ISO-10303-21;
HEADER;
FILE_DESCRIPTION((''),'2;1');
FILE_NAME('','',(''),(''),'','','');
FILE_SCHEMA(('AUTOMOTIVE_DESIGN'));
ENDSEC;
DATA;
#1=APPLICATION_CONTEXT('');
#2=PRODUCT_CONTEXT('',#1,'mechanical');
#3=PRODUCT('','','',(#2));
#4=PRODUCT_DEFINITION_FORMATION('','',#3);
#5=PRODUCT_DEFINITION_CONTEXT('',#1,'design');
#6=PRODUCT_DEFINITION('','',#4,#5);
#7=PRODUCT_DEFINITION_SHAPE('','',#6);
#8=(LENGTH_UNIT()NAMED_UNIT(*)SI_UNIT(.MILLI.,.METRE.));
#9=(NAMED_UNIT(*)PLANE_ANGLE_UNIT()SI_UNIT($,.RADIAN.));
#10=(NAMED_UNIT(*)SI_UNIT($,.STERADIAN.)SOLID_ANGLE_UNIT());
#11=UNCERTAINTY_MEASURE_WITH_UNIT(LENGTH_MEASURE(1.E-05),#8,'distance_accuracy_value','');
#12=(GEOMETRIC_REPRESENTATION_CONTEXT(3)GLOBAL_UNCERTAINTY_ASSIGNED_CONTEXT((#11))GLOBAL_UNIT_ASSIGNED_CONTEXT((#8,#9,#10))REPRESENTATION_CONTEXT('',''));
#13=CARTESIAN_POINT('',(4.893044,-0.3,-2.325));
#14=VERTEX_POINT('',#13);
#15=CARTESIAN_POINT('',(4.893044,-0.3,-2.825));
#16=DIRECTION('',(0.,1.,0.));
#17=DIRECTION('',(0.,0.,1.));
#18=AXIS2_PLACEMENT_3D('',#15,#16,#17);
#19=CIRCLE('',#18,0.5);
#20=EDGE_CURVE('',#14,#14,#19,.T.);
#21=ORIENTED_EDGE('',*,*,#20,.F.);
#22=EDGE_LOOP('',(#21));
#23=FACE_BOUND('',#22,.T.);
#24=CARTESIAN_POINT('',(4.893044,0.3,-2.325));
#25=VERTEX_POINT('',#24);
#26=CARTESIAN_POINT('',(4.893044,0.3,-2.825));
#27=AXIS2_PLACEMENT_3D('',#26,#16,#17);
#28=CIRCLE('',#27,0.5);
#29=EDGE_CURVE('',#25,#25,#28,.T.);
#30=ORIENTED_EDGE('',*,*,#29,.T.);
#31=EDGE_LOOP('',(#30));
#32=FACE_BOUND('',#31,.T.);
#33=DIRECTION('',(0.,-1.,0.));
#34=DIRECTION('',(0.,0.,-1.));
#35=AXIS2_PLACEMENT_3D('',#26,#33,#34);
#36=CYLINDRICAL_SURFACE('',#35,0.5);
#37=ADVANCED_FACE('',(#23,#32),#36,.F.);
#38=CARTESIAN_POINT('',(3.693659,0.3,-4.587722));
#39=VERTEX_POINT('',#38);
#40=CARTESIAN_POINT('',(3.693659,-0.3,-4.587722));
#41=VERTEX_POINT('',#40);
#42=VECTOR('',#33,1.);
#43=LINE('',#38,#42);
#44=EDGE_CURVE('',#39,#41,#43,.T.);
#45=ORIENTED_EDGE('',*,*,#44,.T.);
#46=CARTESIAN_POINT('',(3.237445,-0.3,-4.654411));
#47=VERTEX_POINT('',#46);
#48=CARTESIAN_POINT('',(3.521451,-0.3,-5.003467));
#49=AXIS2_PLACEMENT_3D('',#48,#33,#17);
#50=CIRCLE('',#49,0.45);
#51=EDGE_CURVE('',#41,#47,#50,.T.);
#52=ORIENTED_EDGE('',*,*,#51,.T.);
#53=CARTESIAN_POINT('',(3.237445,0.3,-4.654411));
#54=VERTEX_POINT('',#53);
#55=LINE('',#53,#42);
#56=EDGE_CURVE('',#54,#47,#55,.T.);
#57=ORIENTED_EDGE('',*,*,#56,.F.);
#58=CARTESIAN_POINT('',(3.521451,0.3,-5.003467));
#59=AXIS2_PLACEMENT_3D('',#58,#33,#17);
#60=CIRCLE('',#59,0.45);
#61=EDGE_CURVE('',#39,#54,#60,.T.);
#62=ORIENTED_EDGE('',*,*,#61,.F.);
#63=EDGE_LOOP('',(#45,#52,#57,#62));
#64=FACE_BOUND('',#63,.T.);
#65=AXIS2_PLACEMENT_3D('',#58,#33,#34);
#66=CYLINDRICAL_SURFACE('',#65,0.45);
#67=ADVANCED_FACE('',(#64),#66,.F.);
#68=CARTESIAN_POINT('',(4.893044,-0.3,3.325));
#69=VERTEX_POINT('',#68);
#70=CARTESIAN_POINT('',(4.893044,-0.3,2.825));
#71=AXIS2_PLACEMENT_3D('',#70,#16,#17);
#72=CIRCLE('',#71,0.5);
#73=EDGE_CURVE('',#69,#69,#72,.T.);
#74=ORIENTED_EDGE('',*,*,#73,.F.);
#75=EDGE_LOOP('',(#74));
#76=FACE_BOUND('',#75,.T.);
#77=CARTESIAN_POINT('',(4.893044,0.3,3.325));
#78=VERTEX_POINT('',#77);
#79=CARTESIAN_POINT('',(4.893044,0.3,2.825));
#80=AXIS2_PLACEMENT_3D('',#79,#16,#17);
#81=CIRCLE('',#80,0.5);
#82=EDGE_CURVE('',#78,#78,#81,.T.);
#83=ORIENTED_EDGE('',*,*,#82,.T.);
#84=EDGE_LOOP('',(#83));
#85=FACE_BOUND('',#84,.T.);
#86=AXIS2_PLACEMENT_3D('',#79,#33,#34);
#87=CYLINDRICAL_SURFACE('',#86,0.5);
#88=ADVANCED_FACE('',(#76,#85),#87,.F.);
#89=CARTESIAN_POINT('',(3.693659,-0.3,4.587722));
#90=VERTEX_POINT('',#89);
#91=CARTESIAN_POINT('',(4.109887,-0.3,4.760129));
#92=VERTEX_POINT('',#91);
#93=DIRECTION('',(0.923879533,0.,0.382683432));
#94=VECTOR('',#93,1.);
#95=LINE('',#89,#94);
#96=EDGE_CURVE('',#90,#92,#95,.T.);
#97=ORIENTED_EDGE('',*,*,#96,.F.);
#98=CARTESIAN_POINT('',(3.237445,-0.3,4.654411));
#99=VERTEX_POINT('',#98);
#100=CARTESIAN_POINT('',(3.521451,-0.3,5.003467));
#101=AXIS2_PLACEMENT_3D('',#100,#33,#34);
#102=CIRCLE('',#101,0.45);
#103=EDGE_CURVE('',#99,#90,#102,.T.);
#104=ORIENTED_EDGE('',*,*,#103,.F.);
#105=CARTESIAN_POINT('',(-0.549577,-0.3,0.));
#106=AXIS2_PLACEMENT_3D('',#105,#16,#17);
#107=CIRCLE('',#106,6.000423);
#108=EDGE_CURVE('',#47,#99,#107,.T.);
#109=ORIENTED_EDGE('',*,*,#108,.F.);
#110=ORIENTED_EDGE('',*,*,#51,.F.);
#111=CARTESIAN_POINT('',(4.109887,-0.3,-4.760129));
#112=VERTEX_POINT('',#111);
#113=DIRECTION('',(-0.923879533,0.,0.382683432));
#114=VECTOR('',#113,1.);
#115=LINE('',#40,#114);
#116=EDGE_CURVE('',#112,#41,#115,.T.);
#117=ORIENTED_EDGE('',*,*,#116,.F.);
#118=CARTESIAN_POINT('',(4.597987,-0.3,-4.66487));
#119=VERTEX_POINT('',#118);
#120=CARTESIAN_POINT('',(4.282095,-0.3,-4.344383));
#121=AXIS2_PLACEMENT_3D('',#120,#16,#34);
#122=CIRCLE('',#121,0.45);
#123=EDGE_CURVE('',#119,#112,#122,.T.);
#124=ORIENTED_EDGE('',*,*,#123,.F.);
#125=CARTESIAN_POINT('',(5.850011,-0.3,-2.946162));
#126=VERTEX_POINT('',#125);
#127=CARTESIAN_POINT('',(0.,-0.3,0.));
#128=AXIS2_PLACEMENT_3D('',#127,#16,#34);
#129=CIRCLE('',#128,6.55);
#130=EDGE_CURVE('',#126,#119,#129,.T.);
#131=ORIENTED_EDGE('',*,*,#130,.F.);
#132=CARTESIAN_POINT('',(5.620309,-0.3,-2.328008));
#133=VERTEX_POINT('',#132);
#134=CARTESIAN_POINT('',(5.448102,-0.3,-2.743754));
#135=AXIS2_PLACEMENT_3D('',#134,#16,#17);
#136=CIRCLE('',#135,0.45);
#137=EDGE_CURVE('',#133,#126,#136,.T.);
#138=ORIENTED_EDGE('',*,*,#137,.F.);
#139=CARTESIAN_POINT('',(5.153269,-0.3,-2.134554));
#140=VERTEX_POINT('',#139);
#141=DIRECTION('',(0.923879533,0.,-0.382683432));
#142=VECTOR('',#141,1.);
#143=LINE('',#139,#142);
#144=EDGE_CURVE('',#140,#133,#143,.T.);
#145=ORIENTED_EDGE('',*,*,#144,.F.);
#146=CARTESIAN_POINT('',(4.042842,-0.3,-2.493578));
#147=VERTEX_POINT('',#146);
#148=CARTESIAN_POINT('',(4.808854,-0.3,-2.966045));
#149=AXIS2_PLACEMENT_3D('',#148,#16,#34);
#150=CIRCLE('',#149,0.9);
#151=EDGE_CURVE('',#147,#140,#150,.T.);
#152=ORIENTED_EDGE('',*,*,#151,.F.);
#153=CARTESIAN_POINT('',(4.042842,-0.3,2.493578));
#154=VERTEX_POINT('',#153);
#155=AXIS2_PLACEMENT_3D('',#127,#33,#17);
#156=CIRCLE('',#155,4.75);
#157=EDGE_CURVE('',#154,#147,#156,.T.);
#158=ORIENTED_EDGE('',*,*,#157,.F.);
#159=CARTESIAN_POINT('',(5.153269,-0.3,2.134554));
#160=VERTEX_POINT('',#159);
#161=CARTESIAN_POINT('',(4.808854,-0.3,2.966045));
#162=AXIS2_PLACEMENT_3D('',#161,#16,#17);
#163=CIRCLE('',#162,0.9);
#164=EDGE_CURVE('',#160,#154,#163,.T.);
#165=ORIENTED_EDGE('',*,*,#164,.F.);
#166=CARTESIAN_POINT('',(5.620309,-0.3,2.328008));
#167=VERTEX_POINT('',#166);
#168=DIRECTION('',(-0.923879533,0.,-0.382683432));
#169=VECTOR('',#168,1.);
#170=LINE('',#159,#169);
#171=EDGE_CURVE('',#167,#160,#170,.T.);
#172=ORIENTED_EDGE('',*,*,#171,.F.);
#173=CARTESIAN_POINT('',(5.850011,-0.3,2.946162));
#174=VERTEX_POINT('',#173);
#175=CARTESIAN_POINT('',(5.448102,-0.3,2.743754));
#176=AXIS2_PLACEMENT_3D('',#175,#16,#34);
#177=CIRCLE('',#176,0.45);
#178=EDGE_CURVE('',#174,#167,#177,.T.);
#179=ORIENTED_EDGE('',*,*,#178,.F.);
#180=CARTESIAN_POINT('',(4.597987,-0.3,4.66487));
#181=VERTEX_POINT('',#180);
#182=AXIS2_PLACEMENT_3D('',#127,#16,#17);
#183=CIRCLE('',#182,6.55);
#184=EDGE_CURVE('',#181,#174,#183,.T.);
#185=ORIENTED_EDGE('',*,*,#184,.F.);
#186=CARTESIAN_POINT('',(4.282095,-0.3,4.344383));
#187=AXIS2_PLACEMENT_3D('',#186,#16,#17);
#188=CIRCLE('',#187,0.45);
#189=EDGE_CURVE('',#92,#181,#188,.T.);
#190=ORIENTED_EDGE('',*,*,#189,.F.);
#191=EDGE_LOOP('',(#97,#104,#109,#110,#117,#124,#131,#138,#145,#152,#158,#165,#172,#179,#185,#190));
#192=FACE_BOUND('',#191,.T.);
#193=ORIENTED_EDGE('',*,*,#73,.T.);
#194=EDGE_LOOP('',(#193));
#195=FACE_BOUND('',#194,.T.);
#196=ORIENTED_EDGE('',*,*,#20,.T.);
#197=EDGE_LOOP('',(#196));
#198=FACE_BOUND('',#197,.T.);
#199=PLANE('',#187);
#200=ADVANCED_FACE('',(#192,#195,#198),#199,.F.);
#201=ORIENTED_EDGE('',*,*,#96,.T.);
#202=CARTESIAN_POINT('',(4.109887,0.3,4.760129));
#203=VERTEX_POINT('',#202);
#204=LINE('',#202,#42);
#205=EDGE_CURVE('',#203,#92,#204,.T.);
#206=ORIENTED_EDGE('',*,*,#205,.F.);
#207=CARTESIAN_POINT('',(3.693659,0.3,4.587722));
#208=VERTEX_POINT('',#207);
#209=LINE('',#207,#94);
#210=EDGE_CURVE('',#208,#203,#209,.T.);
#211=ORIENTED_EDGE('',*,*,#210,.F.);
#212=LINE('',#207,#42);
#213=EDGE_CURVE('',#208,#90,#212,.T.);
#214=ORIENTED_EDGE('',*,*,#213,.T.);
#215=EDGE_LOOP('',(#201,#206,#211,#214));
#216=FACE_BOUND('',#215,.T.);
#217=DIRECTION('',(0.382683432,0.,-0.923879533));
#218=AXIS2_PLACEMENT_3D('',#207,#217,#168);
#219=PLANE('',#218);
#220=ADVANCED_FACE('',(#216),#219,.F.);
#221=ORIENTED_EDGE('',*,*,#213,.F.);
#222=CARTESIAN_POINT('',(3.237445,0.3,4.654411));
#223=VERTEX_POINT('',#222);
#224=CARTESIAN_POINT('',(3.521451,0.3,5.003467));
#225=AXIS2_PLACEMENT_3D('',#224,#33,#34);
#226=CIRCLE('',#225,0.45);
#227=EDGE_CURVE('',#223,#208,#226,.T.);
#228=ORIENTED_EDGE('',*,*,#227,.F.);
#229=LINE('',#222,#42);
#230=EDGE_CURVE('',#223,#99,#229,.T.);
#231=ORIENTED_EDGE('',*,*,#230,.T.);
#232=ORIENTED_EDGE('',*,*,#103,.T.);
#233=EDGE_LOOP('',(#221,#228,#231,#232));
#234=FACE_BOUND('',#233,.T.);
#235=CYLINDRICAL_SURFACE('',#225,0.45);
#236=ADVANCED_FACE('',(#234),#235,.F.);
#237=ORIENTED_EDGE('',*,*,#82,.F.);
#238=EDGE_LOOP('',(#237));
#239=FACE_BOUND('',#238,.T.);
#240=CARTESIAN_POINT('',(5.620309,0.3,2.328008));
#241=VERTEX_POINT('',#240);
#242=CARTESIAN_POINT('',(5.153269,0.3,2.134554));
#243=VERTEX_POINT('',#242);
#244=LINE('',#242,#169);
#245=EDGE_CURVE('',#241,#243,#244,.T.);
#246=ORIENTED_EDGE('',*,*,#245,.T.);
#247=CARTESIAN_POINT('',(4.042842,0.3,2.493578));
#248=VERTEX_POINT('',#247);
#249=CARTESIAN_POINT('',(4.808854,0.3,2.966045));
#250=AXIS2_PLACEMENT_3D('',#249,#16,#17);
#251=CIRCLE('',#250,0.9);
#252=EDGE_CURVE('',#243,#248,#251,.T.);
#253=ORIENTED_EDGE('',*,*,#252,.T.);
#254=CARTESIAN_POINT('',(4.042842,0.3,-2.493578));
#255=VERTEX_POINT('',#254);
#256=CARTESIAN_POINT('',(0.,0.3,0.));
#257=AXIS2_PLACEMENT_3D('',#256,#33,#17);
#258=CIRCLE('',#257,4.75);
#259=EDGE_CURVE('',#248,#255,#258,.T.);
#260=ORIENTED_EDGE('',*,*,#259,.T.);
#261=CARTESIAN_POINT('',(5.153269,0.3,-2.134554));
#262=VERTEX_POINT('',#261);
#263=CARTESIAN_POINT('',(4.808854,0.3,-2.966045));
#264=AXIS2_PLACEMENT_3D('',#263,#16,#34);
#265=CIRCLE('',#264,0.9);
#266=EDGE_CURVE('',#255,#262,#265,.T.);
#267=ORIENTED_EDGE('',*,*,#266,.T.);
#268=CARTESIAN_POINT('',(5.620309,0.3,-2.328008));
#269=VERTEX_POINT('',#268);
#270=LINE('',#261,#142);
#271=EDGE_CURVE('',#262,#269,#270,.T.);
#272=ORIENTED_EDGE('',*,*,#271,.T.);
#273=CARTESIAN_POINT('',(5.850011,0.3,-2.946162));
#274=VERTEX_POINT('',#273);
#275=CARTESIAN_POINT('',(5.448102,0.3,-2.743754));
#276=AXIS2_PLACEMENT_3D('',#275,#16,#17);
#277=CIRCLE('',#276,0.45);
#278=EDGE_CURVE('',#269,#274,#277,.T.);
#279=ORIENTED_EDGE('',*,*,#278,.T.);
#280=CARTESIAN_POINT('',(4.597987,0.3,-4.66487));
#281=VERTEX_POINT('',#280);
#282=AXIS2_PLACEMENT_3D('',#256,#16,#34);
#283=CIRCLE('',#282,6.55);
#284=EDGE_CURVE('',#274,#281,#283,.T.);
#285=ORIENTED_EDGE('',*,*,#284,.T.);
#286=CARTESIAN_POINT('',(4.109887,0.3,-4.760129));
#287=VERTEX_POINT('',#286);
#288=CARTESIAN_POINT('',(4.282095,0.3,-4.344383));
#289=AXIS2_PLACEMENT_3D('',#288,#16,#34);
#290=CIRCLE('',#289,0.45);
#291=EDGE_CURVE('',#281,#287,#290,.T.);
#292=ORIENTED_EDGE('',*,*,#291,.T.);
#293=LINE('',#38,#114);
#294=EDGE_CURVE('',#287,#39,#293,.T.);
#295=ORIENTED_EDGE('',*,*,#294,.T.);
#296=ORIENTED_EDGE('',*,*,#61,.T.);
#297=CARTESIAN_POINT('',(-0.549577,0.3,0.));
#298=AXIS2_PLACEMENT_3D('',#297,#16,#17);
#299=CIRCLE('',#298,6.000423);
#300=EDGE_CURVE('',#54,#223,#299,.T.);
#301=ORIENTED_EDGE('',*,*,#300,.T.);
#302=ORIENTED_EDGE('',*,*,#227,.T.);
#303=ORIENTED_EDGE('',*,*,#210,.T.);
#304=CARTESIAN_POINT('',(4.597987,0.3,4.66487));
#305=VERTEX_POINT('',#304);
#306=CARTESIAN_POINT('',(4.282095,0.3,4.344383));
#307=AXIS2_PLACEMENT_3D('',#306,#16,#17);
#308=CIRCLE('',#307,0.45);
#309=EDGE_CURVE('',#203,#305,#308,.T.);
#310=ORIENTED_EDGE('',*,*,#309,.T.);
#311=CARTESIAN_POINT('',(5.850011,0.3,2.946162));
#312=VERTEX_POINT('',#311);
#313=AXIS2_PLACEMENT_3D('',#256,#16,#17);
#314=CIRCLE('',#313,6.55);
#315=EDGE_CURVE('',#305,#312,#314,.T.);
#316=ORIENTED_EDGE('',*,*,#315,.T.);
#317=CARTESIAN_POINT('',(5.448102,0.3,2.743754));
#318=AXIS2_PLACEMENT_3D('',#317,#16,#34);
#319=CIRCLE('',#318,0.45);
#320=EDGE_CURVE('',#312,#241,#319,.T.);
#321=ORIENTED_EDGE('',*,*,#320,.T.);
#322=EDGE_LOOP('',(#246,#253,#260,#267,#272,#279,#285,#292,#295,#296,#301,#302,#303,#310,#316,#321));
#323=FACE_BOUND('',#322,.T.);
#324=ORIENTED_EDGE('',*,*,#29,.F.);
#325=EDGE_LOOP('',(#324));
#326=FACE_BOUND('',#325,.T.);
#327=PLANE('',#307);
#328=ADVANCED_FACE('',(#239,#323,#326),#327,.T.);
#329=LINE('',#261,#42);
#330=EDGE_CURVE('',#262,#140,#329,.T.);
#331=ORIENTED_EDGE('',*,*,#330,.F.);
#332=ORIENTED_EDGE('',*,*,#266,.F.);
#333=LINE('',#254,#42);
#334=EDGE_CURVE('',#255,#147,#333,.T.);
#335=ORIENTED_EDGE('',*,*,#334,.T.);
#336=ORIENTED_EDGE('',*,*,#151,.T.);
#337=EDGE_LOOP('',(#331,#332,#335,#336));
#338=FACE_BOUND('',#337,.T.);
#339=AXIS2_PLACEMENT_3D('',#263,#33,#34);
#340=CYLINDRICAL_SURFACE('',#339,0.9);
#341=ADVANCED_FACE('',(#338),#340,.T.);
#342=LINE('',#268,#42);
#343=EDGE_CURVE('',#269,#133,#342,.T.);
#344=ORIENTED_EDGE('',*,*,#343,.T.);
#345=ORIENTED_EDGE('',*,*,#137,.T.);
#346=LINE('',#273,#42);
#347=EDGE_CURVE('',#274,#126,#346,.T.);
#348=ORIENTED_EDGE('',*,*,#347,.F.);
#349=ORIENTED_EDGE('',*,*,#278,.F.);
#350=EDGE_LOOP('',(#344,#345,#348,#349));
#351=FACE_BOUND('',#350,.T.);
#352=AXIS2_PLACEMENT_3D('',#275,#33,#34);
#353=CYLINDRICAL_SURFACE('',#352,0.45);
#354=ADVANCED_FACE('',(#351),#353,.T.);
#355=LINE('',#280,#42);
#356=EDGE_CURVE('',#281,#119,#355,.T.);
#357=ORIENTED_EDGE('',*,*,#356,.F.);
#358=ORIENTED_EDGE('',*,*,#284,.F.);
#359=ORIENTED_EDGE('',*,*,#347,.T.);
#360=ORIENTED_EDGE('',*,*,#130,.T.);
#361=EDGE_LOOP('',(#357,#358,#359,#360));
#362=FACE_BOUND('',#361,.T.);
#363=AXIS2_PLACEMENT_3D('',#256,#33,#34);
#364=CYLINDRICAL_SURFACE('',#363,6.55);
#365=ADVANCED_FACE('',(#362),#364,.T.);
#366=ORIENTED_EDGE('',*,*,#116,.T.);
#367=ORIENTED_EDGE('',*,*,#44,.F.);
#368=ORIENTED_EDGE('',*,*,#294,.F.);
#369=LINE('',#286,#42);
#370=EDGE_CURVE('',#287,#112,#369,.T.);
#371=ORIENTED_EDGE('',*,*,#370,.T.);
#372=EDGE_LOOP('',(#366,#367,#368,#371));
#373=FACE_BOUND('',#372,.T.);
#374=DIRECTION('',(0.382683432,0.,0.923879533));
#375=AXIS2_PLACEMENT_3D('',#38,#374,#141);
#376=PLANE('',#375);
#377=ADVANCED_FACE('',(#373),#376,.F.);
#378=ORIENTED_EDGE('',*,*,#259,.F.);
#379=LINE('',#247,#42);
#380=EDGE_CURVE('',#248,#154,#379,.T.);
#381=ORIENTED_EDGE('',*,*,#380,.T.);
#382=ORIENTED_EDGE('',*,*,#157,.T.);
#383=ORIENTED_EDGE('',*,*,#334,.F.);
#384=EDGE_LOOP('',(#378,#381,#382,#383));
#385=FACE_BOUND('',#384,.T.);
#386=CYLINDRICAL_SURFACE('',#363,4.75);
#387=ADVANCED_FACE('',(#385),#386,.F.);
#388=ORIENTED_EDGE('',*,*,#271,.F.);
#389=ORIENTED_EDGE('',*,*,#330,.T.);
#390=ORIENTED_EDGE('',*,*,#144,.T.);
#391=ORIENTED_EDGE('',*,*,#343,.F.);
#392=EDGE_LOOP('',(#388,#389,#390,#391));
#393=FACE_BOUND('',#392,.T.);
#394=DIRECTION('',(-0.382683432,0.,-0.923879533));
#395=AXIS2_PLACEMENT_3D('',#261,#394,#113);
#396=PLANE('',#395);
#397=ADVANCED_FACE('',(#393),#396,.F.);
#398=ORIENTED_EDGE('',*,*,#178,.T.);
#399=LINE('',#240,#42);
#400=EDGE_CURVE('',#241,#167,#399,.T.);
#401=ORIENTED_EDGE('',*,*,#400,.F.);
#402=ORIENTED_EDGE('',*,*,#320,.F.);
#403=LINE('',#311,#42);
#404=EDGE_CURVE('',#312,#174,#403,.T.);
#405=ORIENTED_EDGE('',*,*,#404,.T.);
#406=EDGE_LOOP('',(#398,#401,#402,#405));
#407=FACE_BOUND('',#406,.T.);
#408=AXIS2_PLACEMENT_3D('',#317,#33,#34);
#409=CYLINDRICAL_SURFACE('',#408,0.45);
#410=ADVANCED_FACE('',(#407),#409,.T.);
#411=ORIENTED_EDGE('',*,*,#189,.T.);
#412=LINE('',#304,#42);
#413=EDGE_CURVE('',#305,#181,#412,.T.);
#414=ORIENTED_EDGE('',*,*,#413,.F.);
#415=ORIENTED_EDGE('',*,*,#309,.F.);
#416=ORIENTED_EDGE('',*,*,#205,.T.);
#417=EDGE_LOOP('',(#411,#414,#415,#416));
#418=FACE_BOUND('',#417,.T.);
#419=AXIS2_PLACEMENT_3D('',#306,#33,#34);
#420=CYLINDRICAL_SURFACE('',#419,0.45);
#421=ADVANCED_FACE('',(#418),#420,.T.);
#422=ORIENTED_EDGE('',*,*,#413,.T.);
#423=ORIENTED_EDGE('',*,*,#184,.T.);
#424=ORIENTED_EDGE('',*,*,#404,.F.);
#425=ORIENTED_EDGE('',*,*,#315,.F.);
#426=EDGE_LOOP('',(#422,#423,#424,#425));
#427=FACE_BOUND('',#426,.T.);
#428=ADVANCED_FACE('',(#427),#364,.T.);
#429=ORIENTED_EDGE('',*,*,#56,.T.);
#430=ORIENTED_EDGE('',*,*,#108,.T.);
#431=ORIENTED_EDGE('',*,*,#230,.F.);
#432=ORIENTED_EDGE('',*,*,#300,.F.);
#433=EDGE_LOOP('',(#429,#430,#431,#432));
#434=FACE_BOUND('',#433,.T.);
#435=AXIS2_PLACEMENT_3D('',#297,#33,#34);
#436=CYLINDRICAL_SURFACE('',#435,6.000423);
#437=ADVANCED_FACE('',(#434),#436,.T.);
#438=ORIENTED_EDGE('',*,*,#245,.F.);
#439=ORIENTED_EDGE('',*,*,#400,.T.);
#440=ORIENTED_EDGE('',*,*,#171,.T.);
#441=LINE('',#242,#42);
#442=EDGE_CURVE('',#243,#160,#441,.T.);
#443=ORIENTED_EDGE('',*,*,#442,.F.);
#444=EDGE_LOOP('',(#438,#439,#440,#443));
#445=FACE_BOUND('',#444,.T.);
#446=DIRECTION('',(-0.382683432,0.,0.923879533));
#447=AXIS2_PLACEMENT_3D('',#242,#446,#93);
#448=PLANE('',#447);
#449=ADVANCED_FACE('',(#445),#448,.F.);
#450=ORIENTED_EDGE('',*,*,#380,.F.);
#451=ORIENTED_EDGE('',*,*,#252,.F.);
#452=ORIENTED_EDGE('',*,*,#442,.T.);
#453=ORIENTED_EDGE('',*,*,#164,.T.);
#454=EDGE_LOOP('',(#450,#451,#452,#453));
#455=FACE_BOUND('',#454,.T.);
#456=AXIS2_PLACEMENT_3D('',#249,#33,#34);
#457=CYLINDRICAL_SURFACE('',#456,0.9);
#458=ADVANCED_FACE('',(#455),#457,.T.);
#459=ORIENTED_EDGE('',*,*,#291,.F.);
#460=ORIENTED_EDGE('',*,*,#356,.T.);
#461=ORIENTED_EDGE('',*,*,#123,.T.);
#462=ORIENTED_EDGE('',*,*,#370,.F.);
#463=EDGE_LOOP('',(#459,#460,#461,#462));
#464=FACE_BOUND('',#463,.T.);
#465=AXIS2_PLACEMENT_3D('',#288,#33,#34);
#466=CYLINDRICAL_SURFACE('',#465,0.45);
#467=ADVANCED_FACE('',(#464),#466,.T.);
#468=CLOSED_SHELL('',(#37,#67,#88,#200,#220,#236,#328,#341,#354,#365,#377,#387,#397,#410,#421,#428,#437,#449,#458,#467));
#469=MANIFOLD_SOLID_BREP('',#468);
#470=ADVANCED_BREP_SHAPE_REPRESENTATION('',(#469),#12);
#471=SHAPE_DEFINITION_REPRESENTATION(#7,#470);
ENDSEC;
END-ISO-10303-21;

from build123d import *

# Parameters (mm, degrees)
BOSS_EXTRUDE1_DEPTH      = 0.3
BOSS_EXTRUDE1_DEPTH_BACK = 0.3
SKETCH3_R                = 0.5


with BuildPart() as part:
    # Sketch3 → Boss-Extrude1 (new, two sides: drawn at the far end of the back side and taken through both)
    with BuildSketch(Plane(origin=(0, 0, 0), x_dir=(1, 0, 0), z_dir=(0, 1, 0)).offset(-BOSS_EXTRUDE1_DEPTH_BACK)):
        with BuildLine():
            Line((3.693658944, 4.587721595), (4.109887139, 4.760128959))
            ThreePointArc((4.109887139, 4.760128959), (4.368291366, 4.786050614), (4.597986914, 4.664870452))
            ThreePointArc((4.597986914, 4.664870452), (5.294209507, 3.856662507), (5.850010947, 2.946162236))
            ThreePointArc((5.850010947, 2.946162236), (5.869920538, 2.587009287), (5.620309342, 2.328008354))
            Line((5.620309342, 2.328008354), (5.153268852, 2.134553849))
            ThreePointArc((5.153268852, 2.134553849), (4.531977259, 2.109693047), (4.042841659, 2.493578015))
            ThreePointArc((4.042841659, 2.493578015), (-4.75, 0), (4.042841659, -2.493578015))
            ThreePointArc((4.042841659, -2.493578015), (4.531977259, -2.109693047), (5.153268852, -2.134553849))
            Line((5.153268852, -2.134553849), (5.620309342, -2.328008354))
            ThreePointArc((5.620309342, -2.328008354), (5.869920538, -2.587009287), (5.850010947, -2.946162236))
            ThreePointArc((5.850010947, -2.946162236), (5.294209507, -3.856662507), (4.597986914, -4.664870452))
            ThreePointArc((4.597986914, -4.664870452), (4.368291366, -4.786050614), (4.109887139, -4.760128959))
            Line((4.109887139, -4.760128959), (3.693658944, -4.587721595))
            ThreePointArc((3.693658944, -4.587721595), (3.456361984, -4.558199636), (3.237444795, -4.65441116))
            ThreePointArc((3.237444795, -4.65441116), (-6.55, 0), (3.237444795, 4.65441116))
            ThreePointArc((3.237444795, 4.65441116), (3.456361984, 4.558199636), (3.693658944, 4.587721595))
        make_face()
        with Locations(Location((4.893043531, -2.825, 0), (0, 0, 270))):
            Circle(SKETCH3_R, mode=Mode.SUBTRACT)
        with Locations(Location((4.893043531, 2.825, 0), (0, 0, 270))):
            Circle(SKETCH3_R, mode=Mode.SUBTRACT)
    extrude(amount=BOSS_EXTRUDE1_DEPTH + BOSS_EXTRUDE1_DEPTH_BACK)


solid = part.part
